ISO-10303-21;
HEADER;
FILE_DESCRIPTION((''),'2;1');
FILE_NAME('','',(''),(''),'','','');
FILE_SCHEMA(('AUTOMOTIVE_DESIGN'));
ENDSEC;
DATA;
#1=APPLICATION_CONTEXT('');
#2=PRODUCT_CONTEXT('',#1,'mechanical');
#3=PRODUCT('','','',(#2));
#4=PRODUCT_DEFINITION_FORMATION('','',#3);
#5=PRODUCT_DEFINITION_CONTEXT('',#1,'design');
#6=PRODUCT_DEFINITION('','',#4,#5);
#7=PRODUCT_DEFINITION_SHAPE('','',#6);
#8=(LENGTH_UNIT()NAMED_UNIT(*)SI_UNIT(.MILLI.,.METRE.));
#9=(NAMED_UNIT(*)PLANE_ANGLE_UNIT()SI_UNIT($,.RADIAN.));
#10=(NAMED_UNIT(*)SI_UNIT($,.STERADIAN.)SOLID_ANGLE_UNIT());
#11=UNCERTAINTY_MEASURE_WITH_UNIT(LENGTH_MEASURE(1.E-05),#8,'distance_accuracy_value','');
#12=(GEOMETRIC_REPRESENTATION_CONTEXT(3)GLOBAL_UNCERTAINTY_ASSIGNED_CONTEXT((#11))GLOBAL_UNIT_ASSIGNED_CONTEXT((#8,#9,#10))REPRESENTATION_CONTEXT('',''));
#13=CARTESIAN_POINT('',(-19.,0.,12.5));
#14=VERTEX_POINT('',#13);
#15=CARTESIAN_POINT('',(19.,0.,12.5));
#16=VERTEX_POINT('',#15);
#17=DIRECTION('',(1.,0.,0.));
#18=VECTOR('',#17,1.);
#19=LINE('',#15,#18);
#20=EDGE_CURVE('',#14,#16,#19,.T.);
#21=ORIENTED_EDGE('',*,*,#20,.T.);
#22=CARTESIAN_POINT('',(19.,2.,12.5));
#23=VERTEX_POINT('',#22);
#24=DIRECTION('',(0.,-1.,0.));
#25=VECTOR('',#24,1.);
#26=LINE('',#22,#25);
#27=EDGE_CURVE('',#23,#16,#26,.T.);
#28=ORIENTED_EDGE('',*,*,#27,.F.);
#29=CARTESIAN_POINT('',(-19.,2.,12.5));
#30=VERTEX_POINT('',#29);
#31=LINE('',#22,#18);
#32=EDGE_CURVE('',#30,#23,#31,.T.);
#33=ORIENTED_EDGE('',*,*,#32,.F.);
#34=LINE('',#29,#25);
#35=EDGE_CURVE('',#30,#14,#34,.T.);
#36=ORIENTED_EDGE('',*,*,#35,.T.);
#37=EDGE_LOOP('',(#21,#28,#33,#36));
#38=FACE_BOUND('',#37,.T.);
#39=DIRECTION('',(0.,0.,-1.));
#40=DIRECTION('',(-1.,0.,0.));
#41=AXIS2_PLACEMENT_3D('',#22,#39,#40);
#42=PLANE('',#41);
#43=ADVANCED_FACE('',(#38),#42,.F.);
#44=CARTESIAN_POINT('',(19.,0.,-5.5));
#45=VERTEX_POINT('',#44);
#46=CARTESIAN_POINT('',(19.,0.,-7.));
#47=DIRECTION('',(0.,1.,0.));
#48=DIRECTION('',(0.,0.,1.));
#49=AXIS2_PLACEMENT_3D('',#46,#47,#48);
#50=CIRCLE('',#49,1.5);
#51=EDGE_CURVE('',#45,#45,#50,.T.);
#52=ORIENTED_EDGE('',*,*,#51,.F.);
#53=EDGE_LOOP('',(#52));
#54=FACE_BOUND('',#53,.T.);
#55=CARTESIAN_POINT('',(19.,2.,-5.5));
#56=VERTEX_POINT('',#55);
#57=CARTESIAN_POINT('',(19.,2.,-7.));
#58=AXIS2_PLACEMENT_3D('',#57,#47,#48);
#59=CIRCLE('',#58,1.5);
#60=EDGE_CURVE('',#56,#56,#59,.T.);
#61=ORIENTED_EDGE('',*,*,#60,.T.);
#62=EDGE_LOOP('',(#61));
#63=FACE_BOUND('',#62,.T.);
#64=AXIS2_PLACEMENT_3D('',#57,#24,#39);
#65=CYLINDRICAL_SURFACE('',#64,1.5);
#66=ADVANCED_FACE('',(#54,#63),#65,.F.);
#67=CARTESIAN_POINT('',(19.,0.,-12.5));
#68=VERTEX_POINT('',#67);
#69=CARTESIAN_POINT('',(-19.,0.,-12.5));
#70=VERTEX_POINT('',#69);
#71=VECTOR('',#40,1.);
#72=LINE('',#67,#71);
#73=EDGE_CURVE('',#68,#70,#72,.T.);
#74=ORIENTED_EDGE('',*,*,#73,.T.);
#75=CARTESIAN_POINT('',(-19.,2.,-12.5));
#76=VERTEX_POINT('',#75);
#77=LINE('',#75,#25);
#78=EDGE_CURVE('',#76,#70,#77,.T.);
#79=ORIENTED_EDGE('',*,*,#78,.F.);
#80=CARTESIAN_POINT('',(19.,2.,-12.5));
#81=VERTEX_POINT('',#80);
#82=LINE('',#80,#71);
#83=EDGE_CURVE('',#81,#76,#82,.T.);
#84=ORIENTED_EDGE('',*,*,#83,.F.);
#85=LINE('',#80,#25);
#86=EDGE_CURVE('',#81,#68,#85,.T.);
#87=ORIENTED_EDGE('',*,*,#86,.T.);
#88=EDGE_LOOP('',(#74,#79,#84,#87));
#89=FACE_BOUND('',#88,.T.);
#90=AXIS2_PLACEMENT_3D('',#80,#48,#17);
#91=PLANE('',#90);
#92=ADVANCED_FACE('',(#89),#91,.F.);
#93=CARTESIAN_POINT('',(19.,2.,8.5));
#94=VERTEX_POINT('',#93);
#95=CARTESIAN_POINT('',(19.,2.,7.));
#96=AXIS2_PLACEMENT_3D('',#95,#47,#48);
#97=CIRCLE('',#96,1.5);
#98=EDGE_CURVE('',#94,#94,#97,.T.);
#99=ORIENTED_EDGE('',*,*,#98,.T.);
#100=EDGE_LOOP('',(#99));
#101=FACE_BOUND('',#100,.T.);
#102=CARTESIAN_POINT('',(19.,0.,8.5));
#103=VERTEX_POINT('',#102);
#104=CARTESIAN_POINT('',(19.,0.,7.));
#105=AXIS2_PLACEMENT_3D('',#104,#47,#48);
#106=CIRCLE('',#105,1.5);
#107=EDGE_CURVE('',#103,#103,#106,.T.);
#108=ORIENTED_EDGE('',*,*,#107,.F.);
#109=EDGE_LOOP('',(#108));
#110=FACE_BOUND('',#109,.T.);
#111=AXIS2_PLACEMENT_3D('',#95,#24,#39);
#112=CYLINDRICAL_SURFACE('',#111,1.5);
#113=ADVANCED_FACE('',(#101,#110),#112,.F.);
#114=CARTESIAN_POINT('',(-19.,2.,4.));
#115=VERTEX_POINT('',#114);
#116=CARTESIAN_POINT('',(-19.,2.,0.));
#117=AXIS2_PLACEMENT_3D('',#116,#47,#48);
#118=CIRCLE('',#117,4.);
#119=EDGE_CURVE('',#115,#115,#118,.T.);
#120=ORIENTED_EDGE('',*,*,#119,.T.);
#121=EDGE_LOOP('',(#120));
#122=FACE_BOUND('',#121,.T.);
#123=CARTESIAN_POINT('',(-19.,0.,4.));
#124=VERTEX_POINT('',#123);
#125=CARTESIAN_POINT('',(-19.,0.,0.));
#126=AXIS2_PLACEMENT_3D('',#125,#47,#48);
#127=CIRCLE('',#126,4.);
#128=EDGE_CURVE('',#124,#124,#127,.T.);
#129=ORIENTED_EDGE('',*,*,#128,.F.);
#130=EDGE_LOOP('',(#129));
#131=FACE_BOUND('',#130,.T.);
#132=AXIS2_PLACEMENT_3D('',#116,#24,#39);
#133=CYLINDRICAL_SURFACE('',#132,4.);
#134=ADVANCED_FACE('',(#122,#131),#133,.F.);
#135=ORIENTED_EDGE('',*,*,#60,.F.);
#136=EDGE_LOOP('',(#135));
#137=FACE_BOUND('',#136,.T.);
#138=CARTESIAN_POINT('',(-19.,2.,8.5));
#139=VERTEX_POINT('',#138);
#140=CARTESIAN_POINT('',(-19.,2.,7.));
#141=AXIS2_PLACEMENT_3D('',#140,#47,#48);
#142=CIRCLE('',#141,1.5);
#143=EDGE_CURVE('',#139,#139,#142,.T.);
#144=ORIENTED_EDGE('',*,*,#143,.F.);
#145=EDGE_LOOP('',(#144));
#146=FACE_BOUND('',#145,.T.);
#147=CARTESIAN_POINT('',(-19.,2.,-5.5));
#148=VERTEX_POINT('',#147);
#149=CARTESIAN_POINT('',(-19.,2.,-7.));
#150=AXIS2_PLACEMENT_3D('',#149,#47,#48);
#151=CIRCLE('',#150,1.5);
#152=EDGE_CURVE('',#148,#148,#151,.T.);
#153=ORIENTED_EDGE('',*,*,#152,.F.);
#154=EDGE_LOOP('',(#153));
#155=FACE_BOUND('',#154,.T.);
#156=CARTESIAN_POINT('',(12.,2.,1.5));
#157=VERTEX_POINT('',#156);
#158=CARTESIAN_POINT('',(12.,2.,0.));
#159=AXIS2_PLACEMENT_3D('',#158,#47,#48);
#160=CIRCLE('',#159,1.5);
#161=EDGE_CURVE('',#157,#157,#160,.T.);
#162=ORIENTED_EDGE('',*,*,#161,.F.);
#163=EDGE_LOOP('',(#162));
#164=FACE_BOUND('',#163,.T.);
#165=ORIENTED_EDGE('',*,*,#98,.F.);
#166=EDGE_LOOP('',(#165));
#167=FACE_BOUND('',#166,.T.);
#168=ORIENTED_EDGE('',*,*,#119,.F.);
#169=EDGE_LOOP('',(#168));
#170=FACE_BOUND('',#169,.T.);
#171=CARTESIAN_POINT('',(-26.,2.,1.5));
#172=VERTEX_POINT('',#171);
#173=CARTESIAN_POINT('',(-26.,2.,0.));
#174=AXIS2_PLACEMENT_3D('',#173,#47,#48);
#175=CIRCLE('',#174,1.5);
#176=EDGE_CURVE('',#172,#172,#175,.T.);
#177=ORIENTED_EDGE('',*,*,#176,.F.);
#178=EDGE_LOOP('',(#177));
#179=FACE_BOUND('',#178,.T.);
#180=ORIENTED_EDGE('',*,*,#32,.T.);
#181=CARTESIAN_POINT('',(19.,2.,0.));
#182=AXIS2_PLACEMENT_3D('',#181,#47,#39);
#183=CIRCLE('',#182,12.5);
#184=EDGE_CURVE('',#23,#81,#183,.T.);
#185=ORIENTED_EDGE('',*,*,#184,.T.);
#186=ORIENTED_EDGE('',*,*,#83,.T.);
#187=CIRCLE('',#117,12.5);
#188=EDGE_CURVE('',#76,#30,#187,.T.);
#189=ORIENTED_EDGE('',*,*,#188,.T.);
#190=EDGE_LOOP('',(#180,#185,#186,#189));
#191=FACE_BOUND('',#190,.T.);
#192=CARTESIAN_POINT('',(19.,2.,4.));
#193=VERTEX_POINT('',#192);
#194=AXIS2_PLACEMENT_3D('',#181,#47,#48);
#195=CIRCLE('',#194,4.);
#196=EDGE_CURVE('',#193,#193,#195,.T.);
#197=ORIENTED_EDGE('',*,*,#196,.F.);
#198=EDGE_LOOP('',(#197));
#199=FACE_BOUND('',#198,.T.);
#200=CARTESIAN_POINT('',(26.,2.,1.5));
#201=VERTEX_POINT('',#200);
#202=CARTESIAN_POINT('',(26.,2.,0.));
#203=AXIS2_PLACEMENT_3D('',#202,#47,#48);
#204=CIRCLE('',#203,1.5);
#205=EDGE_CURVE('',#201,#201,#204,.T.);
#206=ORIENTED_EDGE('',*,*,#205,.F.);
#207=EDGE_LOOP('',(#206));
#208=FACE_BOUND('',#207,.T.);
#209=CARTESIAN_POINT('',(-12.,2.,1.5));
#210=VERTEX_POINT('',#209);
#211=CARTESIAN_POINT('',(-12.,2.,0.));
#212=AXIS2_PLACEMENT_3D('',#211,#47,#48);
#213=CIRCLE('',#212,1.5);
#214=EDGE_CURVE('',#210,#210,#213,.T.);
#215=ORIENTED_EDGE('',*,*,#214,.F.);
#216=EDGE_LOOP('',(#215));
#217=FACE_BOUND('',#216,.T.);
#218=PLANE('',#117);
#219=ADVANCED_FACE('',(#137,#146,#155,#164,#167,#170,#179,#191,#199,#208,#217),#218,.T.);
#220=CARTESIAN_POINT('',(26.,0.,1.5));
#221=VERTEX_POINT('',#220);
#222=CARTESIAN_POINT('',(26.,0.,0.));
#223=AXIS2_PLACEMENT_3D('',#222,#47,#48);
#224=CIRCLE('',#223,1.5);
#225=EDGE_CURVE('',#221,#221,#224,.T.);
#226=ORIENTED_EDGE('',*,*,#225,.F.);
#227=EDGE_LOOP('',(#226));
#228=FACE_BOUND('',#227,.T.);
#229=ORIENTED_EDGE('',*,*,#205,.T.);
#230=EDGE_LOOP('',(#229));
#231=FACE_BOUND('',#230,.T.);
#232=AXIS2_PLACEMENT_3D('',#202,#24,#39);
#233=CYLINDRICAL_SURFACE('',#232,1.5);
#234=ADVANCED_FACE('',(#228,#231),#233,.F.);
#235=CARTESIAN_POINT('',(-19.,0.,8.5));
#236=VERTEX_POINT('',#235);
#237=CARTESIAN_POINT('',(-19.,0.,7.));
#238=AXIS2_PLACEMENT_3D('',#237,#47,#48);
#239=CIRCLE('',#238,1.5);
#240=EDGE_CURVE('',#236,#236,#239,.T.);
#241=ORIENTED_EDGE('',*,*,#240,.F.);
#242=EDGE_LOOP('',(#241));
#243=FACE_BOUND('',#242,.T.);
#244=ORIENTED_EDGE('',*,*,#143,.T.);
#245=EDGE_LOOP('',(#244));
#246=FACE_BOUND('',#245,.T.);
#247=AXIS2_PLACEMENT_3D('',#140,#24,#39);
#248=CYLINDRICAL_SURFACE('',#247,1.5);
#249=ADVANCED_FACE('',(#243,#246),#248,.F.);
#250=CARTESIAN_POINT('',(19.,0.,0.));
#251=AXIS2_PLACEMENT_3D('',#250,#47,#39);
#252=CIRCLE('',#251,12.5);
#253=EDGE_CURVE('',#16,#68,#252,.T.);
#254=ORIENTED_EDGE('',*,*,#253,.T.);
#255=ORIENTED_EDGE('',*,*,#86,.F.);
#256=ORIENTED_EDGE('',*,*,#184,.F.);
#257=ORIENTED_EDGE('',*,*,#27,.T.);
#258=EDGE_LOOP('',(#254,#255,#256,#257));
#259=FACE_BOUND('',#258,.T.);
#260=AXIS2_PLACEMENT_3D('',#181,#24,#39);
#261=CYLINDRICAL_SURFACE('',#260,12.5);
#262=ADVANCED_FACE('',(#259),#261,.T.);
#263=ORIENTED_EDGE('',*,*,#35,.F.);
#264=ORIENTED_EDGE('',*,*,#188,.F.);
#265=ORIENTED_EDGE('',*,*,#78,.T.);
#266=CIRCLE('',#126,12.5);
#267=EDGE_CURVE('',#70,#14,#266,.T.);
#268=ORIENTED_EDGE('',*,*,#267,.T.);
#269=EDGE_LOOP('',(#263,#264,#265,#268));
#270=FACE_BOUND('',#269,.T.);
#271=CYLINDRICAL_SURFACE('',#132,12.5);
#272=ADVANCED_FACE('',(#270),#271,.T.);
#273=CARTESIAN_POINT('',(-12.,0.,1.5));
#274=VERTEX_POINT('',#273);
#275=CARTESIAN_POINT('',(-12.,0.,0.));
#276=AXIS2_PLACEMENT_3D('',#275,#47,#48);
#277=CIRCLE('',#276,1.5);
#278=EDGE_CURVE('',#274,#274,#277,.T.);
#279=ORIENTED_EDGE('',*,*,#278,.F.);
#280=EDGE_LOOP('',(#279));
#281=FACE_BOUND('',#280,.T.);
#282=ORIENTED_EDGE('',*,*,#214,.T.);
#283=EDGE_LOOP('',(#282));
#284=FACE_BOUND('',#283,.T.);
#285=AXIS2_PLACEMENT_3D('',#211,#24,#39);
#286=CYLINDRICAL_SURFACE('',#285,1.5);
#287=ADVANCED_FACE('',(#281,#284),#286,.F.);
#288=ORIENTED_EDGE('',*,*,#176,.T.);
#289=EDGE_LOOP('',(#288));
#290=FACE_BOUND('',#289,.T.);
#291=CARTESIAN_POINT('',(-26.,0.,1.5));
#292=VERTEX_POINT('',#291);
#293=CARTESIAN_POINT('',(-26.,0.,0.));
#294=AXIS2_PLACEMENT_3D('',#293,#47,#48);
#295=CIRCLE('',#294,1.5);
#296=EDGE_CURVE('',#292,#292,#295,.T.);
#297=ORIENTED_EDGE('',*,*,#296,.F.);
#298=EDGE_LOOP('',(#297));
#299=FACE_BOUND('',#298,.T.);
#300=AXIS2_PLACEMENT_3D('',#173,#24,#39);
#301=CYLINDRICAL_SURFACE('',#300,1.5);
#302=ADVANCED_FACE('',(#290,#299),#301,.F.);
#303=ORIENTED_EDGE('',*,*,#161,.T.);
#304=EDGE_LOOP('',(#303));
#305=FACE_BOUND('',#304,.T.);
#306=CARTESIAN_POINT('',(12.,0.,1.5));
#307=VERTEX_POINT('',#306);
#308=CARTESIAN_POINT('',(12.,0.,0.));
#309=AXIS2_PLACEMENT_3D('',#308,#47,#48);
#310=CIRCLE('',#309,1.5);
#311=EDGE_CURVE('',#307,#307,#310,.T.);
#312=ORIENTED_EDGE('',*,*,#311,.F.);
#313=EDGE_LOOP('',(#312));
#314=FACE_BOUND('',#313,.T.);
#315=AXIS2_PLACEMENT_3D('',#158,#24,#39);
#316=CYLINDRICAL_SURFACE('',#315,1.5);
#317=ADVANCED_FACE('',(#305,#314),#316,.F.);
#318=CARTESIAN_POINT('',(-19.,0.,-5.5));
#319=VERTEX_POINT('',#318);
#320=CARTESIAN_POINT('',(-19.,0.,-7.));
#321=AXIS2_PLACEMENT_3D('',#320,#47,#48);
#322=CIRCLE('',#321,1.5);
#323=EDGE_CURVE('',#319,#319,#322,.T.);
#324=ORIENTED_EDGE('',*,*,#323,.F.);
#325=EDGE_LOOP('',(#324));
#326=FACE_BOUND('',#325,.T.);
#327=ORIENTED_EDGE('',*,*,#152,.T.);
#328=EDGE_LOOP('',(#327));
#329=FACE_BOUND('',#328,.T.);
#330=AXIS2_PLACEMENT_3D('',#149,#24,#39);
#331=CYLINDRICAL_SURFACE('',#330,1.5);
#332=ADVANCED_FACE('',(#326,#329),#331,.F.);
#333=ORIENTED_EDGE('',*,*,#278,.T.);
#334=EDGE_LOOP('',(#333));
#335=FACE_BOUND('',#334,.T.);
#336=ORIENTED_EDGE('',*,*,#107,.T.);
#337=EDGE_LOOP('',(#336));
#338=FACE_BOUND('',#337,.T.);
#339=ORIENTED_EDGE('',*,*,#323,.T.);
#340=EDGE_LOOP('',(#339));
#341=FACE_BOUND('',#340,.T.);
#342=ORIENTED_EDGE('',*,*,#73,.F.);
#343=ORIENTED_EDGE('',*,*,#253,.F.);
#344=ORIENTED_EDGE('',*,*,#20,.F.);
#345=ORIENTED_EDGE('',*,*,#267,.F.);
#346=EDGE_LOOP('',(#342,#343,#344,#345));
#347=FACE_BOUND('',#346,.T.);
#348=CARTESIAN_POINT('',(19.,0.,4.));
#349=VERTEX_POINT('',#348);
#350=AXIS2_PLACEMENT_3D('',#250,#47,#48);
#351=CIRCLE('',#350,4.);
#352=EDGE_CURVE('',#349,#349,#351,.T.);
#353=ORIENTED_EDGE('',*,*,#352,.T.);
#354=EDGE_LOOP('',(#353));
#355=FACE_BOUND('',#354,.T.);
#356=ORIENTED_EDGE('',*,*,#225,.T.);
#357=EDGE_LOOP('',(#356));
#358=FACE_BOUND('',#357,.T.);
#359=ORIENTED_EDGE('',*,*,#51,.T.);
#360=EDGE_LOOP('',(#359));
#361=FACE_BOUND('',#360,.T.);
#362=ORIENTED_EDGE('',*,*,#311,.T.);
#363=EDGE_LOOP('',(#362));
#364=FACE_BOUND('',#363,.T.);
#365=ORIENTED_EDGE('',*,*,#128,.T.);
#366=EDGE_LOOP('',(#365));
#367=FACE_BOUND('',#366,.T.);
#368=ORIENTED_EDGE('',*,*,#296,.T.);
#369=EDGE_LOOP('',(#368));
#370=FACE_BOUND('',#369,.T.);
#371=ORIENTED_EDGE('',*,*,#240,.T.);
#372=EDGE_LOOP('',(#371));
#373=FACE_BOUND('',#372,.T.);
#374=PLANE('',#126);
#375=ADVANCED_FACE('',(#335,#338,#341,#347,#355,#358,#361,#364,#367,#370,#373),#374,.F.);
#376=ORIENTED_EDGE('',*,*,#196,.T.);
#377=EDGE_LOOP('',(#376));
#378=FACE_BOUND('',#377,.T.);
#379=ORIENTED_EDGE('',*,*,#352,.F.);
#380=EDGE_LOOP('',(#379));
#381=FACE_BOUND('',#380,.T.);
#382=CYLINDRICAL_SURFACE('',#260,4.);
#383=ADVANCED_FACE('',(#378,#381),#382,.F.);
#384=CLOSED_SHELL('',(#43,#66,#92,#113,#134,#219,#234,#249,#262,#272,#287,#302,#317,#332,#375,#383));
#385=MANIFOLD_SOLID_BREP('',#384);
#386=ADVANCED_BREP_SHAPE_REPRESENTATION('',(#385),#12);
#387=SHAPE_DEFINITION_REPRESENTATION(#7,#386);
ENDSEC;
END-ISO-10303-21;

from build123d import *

# Parameters (mm, degrees)
SKETCH1_R           = 4
SKETCH1_R_2         = 1.5
BOSS_EXTRUDE1_DEPTH = 2


with BuildPart() as part:
    # Sketch1 → Boss-Extrude1 (new body)
    with BuildSketch(Plane(origin=(0, 0, 0), x_dir=(1, 0, 0), z_dir=(0, 1, 0))):
        with BuildLine():
            Line((19, -12.5), (-19, -12.5))
            ThreePointArc((-19, -12.5), (-31.5, 0), (-19, 12.5))
            Line((-19, 12.5), (19, 12.5))
            ThreePointArc((19, 12.5), (31.5, 0), (19, -12.5))
        make_face()
        with Locations((-19, 0)):
            Circle(SKETCH1_R, mode=Mode.SUBTRACT)
        with Locations((19, 0)):
            Circle(SKETCH1_R, mode=Mode.SUBTRACT)
        with Locations((-19, 7)):
            Circle(SKETCH1_R_2, mode=Mode.SUBTRACT)
        with Locations((-12, 0)):
            Circle(SKETCH1_R_2, mode=Mode.SUBTRACT)
        with Locations((-26, 0)):
            Circle(SKETCH1_R_2, mode=Mode.SUBTRACT)
        with Locations((-19, -7)):
            Circle(SKETCH1_R_2, mode=Mode.SUBTRACT)
        with Locations((12, 0)):
            Circle(SKETCH1_R_2, mode=Mode.SUBTRACT)
        with Locations((19, 7)):
            Circle(SKETCH1_R_2, mode=Mode.SUBTRACT)
        with Locations((26, 0)):
            Circle(SKETCH1_R_2, mode=Mode.SUBTRACT)
        with Locations((19, -7)):
            Circle(SKETCH1_R_2, mode=Mode.SUBTRACT)
    extrude(amount=BOSS_EXTRUDE1_DEPTH)


solid = part.part
